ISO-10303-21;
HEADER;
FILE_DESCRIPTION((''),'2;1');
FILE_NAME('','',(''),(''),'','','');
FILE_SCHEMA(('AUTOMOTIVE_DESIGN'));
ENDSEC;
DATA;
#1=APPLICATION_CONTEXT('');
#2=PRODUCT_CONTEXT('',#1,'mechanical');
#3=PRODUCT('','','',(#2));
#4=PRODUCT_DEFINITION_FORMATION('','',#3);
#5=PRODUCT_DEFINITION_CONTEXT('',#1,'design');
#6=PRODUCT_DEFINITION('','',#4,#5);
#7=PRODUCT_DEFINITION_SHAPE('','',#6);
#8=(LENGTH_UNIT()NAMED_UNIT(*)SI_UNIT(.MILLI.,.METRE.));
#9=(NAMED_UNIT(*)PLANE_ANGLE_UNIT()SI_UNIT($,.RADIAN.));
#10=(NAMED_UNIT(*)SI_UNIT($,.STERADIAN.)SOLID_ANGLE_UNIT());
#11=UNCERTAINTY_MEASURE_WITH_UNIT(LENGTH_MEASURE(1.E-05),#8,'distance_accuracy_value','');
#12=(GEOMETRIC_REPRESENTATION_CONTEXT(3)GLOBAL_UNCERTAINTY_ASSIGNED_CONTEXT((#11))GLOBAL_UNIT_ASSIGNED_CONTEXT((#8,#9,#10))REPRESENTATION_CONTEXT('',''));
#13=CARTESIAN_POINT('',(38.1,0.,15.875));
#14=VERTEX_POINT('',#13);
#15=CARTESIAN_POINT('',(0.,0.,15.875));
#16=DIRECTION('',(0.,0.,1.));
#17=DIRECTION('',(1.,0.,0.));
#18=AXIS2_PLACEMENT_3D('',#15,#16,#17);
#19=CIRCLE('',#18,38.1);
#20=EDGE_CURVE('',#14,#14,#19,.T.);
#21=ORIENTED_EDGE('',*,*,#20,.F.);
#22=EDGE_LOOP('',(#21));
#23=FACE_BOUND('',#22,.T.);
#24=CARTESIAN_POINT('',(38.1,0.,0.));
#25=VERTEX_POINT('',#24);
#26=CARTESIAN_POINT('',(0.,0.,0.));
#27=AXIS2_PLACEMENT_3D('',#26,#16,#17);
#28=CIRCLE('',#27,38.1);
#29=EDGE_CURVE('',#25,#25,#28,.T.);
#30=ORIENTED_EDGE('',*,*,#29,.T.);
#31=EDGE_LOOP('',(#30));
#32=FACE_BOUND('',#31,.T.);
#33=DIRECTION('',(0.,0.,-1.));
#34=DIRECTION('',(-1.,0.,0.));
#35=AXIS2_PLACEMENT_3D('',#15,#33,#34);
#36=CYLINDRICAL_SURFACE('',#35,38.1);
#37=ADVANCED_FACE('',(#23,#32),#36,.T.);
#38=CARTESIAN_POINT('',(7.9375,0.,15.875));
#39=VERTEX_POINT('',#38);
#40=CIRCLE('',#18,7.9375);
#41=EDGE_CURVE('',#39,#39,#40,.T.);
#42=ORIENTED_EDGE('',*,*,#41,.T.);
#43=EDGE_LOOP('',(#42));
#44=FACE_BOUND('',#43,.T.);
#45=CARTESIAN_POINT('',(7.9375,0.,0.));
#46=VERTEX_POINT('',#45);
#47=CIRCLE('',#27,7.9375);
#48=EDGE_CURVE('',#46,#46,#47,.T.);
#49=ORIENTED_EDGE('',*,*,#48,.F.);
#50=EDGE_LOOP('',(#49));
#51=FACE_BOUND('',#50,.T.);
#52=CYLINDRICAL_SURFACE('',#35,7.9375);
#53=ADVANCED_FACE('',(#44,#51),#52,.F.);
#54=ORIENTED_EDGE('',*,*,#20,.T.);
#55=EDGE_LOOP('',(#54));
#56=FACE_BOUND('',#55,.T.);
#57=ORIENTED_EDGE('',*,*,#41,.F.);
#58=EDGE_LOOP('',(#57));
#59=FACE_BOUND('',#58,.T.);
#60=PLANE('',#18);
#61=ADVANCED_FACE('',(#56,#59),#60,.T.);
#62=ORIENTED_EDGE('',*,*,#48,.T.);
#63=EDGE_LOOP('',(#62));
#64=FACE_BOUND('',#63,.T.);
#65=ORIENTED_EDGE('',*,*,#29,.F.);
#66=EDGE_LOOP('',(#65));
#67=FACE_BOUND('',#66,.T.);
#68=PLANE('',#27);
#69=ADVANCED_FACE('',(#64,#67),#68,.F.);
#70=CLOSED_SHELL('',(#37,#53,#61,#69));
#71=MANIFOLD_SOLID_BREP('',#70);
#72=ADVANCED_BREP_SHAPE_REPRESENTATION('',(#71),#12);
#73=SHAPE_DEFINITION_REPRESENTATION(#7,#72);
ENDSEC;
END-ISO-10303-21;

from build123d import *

# Parameters (mm, degrees)
SKETCH1_R           = 38.1
SKETCH1_R_2         = 7.9375
BOSS_EXTRUDE1_DEPTH = 15.875


with BuildPart() as part:
    # Sketch1 → Boss-Extrude1 (new body)
    with BuildSketch(Plane.XY):
        Circle(SKETCH1_R)
        Circle(SKETCH1_R_2, mode=Mode.SUBTRACT)
    extrude(amount=BOSS_EXTRUDE1_DEPTH)


solid = part.part
